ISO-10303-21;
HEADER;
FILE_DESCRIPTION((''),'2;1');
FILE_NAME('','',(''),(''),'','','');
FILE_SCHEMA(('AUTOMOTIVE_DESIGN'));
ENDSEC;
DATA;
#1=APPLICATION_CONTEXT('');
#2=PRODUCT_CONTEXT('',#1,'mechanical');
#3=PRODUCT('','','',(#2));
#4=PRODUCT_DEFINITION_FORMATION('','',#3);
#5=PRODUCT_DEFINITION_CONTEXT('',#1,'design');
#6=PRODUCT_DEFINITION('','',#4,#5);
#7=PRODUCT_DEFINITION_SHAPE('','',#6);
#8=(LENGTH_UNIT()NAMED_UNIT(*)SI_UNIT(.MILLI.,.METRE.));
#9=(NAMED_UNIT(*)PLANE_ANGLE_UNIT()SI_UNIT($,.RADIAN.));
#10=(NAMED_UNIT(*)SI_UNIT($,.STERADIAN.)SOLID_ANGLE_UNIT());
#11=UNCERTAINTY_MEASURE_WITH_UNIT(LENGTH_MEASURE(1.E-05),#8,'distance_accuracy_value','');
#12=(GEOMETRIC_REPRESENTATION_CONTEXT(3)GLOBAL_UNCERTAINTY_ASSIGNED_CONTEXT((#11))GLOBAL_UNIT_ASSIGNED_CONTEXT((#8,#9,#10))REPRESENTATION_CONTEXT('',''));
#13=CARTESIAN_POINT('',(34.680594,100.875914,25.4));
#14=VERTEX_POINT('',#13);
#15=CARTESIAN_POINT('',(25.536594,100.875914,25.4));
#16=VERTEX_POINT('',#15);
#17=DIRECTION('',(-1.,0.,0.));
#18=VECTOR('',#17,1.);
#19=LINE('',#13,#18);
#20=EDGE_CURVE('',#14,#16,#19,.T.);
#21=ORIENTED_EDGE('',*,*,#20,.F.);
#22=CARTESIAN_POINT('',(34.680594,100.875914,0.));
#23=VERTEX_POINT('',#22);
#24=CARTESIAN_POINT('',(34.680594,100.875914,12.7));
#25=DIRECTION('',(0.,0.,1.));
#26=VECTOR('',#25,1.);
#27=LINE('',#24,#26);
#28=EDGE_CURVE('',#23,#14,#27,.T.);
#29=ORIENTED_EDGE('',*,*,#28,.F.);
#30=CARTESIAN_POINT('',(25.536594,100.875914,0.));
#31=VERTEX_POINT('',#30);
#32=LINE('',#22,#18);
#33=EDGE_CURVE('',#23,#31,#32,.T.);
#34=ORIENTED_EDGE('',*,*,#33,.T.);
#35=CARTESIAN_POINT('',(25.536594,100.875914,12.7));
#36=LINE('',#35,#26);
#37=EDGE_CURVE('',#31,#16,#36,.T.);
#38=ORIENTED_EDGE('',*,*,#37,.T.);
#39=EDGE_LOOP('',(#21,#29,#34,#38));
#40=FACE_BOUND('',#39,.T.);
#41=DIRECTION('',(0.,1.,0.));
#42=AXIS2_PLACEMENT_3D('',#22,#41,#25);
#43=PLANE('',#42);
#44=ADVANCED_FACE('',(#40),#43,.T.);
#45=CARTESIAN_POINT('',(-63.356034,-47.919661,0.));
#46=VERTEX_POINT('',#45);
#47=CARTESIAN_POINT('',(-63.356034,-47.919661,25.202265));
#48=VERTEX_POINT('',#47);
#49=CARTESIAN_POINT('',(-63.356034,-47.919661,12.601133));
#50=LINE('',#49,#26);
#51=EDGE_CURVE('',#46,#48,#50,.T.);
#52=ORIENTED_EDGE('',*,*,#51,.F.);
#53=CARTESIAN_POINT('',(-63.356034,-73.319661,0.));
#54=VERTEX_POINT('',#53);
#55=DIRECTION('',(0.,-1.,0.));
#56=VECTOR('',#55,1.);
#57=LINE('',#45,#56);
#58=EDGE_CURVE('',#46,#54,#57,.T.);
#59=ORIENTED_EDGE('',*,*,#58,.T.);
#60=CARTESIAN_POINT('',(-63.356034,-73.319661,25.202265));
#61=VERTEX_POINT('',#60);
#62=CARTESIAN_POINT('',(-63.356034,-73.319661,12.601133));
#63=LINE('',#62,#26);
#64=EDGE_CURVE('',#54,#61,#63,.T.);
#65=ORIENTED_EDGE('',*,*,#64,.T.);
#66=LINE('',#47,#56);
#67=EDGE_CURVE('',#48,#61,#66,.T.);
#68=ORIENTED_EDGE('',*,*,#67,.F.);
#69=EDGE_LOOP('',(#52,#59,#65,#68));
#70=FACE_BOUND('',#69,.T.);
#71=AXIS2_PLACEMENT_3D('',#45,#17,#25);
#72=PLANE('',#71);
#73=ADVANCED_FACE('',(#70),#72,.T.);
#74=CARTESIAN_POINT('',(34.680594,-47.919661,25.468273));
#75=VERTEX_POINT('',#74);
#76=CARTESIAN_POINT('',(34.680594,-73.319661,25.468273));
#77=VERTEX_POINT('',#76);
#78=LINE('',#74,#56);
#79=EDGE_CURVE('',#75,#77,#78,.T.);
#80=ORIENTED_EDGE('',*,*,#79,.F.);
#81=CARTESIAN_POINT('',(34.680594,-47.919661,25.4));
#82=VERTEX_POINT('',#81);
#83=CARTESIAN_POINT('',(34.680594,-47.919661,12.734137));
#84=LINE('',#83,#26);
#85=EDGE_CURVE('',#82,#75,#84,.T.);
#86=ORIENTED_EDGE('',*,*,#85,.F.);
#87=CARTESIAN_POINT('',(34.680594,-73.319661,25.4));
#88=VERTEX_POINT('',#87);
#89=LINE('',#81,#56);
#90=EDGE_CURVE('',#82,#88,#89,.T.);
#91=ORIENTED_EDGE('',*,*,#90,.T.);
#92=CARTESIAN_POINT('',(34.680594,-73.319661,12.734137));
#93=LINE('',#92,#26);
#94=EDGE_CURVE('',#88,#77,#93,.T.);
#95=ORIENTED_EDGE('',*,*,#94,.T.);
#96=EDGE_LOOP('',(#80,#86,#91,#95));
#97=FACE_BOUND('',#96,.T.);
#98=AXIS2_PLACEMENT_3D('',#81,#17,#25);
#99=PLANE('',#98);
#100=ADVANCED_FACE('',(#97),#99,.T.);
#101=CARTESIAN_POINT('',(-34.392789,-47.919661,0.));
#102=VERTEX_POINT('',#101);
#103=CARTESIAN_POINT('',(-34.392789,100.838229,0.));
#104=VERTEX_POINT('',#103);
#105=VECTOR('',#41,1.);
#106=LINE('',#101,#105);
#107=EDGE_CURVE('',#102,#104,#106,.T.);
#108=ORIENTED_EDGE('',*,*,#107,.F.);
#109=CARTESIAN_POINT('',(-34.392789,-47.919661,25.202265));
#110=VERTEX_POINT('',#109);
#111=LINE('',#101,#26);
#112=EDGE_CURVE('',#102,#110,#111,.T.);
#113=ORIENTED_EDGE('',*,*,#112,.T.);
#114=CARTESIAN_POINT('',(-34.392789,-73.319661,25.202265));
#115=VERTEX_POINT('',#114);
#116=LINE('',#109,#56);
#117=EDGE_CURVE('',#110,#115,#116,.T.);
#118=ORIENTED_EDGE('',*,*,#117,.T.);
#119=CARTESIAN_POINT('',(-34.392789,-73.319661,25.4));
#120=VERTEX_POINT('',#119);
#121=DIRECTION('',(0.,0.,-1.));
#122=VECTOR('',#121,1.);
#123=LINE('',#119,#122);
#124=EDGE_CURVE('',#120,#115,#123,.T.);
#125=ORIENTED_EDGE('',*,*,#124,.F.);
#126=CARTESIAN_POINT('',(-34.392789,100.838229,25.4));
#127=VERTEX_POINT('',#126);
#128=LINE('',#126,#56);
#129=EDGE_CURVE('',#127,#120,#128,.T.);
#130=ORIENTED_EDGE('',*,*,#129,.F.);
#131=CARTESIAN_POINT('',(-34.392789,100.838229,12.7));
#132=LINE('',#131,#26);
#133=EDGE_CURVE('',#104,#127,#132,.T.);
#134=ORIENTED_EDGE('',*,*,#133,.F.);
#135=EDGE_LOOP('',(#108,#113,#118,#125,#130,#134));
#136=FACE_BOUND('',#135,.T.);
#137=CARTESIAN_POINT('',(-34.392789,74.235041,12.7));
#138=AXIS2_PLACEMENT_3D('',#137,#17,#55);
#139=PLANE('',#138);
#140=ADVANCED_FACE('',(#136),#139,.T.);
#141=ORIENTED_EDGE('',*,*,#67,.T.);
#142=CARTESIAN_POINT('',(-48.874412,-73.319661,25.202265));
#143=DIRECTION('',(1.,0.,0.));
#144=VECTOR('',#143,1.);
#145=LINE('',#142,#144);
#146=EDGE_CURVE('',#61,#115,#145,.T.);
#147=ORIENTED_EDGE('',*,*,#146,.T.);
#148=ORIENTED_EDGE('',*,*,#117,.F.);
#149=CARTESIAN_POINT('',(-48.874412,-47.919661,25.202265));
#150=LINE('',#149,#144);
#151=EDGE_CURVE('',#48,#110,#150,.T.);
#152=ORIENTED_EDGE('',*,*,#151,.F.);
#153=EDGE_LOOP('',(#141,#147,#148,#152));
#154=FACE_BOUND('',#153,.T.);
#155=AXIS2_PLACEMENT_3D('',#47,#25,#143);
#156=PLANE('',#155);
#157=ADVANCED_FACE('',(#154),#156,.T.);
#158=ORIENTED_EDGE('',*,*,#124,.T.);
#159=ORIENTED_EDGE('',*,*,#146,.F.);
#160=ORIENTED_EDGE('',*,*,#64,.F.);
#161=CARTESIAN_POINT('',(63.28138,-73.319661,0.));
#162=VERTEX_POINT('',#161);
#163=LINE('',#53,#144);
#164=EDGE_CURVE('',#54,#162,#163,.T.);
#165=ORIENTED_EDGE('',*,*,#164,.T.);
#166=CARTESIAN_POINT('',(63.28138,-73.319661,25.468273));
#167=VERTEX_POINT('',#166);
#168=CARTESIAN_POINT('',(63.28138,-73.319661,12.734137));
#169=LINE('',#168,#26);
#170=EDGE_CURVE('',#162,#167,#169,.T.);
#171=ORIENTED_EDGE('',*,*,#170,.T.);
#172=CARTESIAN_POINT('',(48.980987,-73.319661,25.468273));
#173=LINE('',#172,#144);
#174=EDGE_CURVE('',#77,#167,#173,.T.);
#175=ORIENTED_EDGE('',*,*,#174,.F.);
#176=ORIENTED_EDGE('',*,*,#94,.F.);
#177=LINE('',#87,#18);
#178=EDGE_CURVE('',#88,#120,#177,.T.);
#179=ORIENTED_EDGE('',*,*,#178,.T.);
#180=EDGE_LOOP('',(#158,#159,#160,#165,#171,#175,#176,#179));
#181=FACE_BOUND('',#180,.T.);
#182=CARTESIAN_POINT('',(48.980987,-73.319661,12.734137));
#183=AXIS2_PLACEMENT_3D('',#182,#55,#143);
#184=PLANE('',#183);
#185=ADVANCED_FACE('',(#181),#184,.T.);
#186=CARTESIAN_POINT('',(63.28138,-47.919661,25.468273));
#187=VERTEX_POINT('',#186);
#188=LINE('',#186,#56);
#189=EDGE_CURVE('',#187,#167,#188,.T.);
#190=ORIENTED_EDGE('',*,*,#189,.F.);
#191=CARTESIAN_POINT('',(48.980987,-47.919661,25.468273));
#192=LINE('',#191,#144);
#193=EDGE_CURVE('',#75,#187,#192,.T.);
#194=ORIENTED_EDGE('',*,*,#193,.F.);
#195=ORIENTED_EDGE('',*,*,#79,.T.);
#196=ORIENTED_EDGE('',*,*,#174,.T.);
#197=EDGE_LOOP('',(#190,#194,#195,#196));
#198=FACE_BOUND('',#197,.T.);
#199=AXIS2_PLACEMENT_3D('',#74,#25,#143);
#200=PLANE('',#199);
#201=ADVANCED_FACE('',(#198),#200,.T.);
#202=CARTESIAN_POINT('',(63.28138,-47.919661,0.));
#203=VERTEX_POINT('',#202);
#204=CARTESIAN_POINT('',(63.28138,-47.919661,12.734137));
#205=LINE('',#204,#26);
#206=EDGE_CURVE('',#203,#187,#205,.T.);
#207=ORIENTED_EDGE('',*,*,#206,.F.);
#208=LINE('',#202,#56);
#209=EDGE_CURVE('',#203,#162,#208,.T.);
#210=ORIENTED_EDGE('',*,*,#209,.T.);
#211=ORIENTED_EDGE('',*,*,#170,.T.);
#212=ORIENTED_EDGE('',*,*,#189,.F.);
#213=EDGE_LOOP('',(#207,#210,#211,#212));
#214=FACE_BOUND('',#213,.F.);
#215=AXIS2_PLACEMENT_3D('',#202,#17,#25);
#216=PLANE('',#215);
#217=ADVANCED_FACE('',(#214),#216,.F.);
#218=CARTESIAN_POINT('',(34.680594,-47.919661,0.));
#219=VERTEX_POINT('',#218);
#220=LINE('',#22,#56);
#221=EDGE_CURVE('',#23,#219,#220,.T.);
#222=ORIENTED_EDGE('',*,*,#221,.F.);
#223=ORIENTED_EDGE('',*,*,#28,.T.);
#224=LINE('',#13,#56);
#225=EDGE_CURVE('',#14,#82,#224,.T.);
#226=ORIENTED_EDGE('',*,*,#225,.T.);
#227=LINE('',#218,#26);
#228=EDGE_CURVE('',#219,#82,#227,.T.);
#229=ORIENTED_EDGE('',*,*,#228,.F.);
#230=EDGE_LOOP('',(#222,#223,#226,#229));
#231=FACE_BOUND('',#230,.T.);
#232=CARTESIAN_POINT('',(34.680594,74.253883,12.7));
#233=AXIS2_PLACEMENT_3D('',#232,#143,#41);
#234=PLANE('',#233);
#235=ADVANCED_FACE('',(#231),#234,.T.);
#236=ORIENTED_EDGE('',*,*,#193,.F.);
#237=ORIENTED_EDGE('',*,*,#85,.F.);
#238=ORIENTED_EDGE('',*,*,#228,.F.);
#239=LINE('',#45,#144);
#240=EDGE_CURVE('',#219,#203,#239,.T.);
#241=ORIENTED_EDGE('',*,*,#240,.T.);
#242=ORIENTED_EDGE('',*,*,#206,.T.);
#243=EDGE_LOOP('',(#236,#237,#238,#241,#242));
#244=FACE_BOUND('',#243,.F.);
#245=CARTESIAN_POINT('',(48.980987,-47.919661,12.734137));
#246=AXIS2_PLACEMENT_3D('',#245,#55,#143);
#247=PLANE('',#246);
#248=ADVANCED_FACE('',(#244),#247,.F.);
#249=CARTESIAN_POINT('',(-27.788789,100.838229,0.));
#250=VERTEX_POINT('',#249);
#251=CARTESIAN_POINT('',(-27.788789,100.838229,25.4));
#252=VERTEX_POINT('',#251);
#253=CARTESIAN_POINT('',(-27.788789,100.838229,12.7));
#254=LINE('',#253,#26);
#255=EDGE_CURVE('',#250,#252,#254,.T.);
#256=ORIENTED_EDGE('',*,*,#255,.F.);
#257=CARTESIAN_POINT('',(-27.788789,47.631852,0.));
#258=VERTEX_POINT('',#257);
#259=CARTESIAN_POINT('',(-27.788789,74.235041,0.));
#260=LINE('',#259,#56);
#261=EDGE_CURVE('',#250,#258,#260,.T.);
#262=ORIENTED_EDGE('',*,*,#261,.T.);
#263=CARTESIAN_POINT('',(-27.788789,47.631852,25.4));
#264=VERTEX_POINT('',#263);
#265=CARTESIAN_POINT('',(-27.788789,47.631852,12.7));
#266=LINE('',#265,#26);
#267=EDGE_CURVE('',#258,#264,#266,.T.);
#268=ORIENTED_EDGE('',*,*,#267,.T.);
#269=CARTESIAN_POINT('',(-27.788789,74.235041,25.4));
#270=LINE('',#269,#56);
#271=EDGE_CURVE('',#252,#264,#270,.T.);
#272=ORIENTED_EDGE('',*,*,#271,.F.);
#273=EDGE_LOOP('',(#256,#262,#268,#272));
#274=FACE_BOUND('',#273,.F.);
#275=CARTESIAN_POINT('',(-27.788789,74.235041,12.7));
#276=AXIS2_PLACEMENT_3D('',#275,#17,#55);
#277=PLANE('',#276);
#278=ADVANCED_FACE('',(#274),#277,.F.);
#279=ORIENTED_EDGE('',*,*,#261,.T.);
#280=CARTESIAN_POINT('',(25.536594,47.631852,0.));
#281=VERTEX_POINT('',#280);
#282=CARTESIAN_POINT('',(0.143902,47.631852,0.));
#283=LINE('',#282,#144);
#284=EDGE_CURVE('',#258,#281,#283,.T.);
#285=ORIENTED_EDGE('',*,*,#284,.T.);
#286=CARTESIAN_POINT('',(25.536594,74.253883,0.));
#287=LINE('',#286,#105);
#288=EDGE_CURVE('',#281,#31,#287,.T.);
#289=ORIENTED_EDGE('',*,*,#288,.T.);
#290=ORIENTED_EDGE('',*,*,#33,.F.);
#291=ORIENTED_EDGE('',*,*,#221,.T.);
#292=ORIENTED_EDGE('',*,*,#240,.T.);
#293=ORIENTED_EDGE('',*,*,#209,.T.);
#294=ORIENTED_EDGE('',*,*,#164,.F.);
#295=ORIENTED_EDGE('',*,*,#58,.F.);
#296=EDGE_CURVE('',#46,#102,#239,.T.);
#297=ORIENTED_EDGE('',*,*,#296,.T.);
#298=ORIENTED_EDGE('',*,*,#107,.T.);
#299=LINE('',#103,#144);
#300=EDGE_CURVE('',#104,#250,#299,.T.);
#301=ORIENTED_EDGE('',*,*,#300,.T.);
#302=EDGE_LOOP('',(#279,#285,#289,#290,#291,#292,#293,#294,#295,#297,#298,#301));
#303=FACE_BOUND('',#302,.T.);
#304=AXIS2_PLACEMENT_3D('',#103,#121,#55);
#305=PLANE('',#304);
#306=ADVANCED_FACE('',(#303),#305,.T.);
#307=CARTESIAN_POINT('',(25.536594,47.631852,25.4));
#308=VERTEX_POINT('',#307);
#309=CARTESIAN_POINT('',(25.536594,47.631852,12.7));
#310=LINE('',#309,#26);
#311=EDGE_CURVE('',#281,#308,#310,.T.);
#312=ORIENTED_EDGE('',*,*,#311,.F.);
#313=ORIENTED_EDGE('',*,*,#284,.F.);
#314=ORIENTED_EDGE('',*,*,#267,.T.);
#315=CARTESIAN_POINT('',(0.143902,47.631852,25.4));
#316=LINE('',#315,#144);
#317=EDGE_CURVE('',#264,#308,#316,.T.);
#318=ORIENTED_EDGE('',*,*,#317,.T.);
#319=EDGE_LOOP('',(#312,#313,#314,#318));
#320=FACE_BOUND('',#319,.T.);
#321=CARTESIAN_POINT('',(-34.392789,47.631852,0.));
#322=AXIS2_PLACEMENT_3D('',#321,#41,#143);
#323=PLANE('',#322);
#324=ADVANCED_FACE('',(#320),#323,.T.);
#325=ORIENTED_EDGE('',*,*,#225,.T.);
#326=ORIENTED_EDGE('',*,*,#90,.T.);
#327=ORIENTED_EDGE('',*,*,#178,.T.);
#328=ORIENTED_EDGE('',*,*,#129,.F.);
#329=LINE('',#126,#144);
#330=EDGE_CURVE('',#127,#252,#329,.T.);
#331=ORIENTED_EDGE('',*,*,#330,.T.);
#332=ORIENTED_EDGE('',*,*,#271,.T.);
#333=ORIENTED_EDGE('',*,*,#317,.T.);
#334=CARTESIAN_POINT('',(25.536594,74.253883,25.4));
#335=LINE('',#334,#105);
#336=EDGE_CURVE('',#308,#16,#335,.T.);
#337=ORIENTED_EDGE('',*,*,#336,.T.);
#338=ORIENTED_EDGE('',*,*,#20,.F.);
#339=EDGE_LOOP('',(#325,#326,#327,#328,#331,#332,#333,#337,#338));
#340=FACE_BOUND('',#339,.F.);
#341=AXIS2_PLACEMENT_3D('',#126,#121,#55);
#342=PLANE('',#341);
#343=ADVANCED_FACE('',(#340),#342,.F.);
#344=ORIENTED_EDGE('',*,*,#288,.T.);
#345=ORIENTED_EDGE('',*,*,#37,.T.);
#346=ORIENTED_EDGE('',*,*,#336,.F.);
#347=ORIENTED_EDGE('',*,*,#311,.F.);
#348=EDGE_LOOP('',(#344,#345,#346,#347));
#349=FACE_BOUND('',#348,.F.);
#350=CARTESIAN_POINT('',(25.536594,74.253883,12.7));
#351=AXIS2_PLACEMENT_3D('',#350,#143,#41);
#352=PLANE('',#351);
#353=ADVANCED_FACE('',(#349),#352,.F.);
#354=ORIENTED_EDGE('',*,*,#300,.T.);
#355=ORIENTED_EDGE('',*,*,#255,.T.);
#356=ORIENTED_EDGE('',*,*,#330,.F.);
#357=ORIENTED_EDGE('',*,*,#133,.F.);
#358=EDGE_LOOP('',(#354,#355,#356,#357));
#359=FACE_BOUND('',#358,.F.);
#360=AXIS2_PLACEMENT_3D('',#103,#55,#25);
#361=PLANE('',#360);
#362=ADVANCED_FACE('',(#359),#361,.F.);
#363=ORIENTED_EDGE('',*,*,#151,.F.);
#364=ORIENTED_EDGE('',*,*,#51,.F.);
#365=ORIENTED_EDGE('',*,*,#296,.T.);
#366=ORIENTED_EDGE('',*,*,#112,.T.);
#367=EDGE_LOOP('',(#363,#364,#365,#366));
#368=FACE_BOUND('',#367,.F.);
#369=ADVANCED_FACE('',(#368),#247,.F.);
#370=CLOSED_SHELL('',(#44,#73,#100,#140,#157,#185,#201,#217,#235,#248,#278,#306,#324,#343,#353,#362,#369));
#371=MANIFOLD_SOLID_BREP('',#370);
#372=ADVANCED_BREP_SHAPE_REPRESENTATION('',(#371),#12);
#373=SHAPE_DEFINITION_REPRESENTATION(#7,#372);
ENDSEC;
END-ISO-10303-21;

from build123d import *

# Parameters (mm, degrees)
F0_W     = 69.0733827651
F0_H     = 95.5515131354
F1_DEPTH = 25.4
F2_W     = 28.6007858813
F2_H     = 25.4682730883
F2_W_2   = 28.9632454515
F2_H_2   = 25.2022650093
F3_DEPTH = 25.4
F4_W     = 53.2440617681
F4_H     = 25.4
F5_DEPTH = 9.144
F6_W     = 53.2063767314
F6_H     = 25.4
F7_DEPTH = 6.604


with BuildPart() as f1:
    # F0 (on Top) → F1 (new body)
    with BuildSketch(Plane.XY):
        with Locations((0.1439023763, -0.1439042389)):
            Rectangle(F0_W, F0_H)
    extrude(amount=F1_DEPTH)

    # F2 (on face) → F3 (join)
    with BuildSketch(Plane.XZ.offset(47.9196608067)):
        with Locations((48.9809866995, 12.7341365442)):
            Rectangle(F2_W, F2_H)
        with Locations((-48.874411732, 12.6011325046)):
            Rectangle(F2_W_2, F2_H_2)
        Polygon((-34.3927890062, 0), (34.6805937588, 0), (34.6805937588, 25.4), (-34.3927890062, 25.4), (-34.3927890062, 25.2022650093), align=None)
    extrude(amount=F3_DEPTH)

    # F4 (on face) → F5 (join)
    with BuildSketch(Plane.YZ.offset(34.6805937588)):
        with Locations((74.2538832128, 12.7)):
            Rectangle(F4_W, F4_H)
    extrude(amount=-F5_DEPTH)

    # F6 (on face) → F7 (join)
    with BuildSketch(Plane(origin=(-34.3927890062, 0, 0), x_dir=(0, -1, 0), z_dir=(-1, 0, 0))):
        with Locations((-74.2350406945, 12.7)):
            Rectangle(F6_W, F6_H)
    extrude(amount=-F7_DEPTH)


solid = f1.part
